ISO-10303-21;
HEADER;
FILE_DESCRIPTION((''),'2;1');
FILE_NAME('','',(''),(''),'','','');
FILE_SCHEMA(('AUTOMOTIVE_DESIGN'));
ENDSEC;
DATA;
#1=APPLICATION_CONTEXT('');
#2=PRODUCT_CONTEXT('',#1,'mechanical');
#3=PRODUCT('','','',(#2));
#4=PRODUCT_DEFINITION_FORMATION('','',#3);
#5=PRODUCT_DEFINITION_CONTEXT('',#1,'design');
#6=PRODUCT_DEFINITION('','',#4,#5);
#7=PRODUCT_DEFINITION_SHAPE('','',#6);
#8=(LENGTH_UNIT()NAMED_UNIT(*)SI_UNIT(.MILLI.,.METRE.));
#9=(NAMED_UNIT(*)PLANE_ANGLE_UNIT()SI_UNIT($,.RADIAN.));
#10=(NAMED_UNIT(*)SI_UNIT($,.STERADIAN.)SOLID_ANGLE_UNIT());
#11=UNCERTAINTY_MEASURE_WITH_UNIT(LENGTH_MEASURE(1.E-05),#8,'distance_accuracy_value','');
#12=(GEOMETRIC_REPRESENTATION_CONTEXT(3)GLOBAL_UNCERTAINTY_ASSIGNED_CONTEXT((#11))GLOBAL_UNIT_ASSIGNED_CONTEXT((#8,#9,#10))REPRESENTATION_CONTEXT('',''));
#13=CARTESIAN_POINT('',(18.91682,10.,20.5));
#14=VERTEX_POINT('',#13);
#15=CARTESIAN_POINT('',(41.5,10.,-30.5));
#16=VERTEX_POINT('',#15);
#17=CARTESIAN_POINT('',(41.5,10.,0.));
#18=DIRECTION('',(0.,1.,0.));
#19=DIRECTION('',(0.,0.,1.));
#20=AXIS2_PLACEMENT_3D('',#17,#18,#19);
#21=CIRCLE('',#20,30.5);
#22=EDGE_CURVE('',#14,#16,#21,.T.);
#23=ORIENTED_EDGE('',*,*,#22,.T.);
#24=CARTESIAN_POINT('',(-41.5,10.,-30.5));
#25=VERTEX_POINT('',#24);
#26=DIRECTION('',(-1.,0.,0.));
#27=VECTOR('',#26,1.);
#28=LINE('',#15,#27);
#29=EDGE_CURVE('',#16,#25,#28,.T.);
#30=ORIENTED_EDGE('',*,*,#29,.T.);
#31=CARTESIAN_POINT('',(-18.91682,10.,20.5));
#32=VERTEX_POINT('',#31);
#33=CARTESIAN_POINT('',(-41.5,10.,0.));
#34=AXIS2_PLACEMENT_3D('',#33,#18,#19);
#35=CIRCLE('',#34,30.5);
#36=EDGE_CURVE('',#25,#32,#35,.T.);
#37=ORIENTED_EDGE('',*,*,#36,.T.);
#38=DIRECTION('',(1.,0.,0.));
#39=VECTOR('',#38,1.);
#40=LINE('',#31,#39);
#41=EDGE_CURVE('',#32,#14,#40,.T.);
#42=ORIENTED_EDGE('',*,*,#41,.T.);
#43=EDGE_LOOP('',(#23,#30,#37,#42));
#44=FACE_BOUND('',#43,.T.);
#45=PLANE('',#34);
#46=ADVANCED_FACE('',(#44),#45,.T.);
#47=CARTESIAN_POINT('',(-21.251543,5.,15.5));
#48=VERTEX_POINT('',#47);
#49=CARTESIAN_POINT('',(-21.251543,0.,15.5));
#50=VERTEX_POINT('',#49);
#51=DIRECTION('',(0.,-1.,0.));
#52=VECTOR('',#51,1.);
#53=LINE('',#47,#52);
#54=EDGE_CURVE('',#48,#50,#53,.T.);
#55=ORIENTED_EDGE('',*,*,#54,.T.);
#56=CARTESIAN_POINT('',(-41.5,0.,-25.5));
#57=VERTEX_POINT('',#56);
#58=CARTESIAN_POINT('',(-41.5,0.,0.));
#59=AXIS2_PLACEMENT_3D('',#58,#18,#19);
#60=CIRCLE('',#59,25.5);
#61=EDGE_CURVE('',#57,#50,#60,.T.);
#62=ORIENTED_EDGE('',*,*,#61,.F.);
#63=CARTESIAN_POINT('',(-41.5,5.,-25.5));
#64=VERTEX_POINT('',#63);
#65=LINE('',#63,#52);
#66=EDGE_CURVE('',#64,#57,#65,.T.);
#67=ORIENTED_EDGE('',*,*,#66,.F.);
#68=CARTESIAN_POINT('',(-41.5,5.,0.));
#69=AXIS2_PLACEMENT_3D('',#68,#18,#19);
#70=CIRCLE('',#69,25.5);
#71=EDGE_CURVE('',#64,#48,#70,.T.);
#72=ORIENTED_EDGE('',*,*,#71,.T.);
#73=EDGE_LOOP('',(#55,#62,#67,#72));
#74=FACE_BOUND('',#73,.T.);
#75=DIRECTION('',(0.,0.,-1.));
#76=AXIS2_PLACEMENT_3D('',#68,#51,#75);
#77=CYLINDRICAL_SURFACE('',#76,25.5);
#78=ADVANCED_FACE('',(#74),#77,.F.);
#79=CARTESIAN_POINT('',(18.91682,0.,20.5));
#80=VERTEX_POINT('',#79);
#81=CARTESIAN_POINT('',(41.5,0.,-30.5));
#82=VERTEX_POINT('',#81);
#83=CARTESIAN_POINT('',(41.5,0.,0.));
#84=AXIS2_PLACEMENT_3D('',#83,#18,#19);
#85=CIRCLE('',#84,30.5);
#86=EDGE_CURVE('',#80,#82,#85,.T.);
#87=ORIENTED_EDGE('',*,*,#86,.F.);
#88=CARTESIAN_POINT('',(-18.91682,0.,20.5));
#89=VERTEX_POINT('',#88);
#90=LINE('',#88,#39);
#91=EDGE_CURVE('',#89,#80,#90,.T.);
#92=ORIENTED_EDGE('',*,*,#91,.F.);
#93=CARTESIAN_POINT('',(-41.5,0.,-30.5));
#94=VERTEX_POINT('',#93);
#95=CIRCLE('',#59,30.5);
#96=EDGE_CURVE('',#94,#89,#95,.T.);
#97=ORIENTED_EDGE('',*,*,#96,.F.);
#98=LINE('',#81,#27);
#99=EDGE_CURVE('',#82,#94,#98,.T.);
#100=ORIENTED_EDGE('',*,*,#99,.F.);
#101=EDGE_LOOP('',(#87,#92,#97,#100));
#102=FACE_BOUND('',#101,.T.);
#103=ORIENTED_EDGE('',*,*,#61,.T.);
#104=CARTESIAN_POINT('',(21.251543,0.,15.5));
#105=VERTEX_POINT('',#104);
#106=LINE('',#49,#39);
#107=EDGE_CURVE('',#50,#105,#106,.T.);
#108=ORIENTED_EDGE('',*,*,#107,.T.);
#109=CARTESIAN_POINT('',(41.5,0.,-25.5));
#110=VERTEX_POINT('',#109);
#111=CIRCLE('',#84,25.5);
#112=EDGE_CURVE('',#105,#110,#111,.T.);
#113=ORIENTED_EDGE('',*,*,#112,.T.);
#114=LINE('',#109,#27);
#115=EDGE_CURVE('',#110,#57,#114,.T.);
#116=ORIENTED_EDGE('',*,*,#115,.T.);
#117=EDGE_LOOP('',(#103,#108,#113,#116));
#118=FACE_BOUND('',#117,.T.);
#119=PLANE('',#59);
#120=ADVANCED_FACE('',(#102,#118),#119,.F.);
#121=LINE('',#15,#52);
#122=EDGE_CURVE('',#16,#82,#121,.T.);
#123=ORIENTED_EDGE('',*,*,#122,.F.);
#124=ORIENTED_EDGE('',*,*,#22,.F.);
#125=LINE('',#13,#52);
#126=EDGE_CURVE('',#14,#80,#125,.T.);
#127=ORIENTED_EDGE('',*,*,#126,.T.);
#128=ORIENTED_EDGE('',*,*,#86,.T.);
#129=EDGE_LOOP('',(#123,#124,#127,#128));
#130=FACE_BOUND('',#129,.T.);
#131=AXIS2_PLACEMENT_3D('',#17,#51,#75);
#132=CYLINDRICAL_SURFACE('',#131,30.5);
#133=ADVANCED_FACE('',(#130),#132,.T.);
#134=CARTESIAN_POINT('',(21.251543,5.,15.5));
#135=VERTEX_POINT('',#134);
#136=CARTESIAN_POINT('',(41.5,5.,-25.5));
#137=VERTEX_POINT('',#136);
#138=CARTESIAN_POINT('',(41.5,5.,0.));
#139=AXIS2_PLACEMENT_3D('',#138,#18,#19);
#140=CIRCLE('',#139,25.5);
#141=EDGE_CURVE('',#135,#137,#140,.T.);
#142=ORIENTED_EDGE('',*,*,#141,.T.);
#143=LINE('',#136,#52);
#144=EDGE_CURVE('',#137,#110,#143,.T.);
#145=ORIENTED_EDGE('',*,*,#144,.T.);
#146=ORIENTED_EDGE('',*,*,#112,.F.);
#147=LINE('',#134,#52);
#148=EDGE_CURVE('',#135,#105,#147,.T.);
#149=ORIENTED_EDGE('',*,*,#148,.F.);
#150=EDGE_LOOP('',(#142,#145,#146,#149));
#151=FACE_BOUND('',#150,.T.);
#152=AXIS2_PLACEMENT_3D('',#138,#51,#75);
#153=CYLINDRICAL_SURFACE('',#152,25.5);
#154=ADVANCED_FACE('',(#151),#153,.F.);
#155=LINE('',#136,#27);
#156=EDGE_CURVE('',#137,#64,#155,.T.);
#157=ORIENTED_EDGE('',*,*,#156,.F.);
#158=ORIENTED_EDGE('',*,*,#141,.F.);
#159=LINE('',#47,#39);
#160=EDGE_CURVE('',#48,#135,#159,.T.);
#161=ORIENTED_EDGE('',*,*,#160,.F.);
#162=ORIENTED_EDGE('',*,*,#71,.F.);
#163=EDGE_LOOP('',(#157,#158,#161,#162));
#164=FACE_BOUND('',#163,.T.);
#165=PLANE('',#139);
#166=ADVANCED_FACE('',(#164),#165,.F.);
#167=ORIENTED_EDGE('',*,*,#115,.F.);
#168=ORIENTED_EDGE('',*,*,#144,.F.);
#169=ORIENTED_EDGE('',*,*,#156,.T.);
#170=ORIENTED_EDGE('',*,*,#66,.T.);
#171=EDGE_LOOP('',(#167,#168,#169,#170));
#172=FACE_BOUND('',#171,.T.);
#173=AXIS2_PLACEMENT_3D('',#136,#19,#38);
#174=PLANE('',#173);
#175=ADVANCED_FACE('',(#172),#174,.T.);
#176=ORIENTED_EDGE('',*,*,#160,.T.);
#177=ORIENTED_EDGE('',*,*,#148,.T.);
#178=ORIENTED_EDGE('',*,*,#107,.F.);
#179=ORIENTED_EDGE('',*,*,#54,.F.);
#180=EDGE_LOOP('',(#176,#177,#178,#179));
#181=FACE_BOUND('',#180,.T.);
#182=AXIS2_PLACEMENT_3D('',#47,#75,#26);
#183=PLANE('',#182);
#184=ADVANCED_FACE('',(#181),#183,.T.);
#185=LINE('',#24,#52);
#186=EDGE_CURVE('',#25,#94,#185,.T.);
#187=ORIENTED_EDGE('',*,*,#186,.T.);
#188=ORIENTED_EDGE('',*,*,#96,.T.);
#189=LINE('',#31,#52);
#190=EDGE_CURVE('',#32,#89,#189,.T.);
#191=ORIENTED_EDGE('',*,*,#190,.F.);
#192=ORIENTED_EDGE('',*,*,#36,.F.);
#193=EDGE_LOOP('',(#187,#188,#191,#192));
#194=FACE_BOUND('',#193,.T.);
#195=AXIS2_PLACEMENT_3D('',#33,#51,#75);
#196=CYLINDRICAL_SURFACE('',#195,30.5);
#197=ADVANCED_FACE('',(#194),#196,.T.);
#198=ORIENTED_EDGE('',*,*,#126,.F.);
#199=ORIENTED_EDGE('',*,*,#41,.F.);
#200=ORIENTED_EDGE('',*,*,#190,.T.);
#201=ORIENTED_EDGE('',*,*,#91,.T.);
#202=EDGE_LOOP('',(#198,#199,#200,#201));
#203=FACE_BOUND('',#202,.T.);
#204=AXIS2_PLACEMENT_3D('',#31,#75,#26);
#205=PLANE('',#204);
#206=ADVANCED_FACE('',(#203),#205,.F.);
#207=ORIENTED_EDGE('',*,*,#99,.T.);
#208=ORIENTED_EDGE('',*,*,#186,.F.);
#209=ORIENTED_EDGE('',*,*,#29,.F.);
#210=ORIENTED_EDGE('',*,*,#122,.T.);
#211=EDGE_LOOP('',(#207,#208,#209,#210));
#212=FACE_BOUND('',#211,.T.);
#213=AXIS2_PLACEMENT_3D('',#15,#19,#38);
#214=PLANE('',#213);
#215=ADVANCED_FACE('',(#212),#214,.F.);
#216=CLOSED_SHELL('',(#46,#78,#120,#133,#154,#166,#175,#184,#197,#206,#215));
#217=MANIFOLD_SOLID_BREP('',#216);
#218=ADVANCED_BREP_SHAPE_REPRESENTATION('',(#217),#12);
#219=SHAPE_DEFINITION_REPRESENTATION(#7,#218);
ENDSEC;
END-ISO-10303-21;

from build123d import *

# Parameters (mm, degrees)
BOSS_EXTRUDE1_DEPTH = 10
CUT_EXTRUDE1_DEPTH  = 5


with BuildPart() as part:
    # Sketch1 → Boss-Extrude1 (new body)
    with BuildSketch(Plane(origin=(0, 0, 0), x_dir=(1, 0, 0), z_dir=(0, 1, 0))):
        with BuildLine():
            Line((41.5, 30.5), (-41.5, 30.5))
            ThreePointArc((-41.5, 30.5), (-69.388169535, -12.349089035), (-18.916820419, -20.5))
            Line((-18.916820419, -20.5), (18.916820419, -20.5))
            ThreePointArc((18.916820419, -20.5), (69.388169535, -12.349089035), (41.5, 30.5))
        make_face()
    extrude(amount=BOSS_EXTRUDE1_DEPTH)

    # Sketch2 → Cut-Extrude1 (cut)
    with BuildSketch(Plane(origin=(0, 0, 0), x_dir=(1, 0, 0), z_dir=(0, 1, 0))):
        with BuildLine():
            Line((41.5, 25.5), (-41.5, 25.5))
            ThreePointArc((-41.5, 25.5), (-64.36372673, -11.291589791), (-21.251543269, -15.5))
            Line((-21.251543269, -15.5), (21.251543269, -15.5))
            ThreePointArc((21.251543269, -15.5), (64.36372673, -11.291589791), (41.5, 25.5))
        make_face()
    extrude(amount=CUT_EXTRUDE1_DEPTH, mode=Mode.SUBTRACT)


solid = part.part
